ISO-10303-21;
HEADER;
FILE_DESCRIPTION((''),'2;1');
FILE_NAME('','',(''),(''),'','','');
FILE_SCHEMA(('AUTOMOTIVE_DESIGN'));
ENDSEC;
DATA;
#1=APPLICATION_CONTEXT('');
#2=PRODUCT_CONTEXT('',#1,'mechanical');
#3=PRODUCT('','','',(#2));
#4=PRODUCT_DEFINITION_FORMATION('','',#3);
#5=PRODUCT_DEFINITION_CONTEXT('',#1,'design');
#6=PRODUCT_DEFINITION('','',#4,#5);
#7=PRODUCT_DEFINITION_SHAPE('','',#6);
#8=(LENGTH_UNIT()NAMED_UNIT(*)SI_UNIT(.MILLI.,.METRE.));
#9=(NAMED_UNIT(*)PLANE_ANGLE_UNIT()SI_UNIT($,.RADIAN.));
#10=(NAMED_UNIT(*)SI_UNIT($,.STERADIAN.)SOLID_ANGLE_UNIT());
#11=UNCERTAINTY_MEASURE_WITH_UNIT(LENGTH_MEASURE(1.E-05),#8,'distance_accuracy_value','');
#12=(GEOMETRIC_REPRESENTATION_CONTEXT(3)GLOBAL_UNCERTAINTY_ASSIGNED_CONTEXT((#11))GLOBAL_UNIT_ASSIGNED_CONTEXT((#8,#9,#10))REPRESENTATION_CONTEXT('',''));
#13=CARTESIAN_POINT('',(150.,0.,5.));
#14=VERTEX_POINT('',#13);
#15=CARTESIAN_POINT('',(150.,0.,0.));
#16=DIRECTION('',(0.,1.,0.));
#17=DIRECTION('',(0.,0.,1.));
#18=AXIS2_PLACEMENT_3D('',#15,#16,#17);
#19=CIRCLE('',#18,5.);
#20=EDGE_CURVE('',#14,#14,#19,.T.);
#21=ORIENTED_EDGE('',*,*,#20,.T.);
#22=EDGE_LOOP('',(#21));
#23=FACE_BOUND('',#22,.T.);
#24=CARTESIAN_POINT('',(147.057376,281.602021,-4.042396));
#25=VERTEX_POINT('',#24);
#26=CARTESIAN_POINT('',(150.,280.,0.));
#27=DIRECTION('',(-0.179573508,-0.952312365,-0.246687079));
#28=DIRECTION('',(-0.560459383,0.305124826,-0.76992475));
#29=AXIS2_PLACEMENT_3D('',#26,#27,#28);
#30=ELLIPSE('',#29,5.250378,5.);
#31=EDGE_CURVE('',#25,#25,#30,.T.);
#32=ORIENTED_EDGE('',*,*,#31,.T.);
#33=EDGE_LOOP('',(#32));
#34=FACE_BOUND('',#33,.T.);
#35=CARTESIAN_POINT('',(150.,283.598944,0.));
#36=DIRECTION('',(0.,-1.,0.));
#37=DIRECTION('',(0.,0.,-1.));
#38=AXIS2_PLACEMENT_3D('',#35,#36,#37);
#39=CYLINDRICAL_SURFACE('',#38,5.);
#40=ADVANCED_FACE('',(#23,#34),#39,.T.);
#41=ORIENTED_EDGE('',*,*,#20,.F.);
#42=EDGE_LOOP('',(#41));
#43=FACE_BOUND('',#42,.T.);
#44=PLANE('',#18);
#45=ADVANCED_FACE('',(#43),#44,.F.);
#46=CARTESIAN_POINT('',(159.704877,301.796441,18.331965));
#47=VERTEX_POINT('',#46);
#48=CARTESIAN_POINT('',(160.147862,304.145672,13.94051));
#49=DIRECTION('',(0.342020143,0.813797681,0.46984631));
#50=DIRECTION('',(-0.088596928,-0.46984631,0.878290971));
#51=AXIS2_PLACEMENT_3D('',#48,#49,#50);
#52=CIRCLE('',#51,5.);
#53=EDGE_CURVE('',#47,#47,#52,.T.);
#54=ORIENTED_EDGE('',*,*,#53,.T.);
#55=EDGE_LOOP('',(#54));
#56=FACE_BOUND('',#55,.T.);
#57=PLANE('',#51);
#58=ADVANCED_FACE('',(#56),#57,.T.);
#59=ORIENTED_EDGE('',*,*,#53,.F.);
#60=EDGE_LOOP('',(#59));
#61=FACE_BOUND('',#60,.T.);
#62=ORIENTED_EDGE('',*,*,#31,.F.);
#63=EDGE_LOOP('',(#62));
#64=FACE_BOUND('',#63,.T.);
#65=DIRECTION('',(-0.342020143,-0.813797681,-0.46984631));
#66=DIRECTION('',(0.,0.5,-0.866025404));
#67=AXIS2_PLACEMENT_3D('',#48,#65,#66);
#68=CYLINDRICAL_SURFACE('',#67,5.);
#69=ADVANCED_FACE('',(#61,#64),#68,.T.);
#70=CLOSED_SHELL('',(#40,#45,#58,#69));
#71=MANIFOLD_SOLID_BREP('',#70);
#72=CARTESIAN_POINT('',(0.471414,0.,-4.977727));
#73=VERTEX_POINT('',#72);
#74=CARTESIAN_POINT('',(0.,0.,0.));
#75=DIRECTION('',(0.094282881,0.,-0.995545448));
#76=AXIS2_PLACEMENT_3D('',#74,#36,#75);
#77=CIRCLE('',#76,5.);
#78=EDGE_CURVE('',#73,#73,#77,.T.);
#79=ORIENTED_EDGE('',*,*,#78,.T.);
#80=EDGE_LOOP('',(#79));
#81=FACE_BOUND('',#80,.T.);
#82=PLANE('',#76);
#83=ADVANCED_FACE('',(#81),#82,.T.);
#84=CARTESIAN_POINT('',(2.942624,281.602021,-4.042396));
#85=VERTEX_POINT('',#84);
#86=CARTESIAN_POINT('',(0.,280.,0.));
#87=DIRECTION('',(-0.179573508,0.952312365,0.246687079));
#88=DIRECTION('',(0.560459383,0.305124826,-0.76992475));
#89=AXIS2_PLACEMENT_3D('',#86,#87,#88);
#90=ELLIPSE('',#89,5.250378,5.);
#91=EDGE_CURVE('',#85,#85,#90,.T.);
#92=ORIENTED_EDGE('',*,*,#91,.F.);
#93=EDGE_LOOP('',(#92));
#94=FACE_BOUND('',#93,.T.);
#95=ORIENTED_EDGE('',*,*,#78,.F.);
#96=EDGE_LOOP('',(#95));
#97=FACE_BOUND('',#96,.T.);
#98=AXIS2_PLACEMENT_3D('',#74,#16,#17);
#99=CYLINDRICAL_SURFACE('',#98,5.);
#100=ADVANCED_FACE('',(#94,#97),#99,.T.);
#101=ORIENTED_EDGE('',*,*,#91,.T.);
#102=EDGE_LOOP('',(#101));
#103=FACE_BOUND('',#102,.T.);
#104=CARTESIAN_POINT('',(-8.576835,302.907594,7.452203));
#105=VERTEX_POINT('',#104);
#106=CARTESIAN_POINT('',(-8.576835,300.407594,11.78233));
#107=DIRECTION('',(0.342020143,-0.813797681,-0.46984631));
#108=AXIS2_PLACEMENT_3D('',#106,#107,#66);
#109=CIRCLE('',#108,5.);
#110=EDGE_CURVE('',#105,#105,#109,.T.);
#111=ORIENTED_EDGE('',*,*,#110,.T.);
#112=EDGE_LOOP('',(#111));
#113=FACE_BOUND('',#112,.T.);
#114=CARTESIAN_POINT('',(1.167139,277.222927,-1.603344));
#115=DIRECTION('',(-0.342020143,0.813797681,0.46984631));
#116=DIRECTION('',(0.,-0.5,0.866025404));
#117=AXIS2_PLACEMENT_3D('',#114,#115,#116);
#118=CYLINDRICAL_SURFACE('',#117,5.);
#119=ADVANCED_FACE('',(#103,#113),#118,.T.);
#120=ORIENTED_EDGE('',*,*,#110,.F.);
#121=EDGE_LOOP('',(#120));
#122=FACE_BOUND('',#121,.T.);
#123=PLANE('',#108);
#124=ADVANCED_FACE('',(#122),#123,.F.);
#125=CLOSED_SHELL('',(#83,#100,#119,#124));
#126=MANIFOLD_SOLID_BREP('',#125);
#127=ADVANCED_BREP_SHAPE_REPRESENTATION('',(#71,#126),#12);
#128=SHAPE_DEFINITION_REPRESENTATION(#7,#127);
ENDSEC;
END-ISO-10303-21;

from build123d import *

# Parameters (mm, degrees)
SWEEP_4_PROFILE_R = 5
SWEEP_5_PROFILE_R = 5


with BuildPart() as part:
    # 扫描4: sweep along a path in 草图90
    with BuildLine(Plane(origin=(98.045795282, 0, -71.371502155), x_dir=(-0.5885247359201105, 0, -0.8084792113654897), z_dir=(0.8084792113654897, 0, -0.5885247359201105))) as sweep_4_path:
        Line((-105.521590911, 304.145672377), (-88.278710388, 280))
        Line((-88.278710388, 280), (-88.278710388, 0))
    # 扫描4 profile (on start of the path) → 扫描4 (sweep)
    with BuildSketch(Plane(origin=(160.147861706, 304.145672377, 13.940510447), x_dir=(0, 0.5000000000000007, -0.8660254037844384), z_dir=(-0.34202014332567265, -0.8137976813493721, -0.4698463103929541))):
        Circle(SWEEP_4_PROFILE_R)
    sweep(path=sweep_4_path.line, transition=Transition.RIGHT)


with BuildPart() as body_2:
    # 扫描5: sweep along a path in 草图91
    with BuildLine(Plane(origin=(0, 0, 0), x_dir=(0.5885247359201103, 0, -0.80847921136549), z_dir=(0.8084792113654898, 0, 0.5885247359201102))) as sweep_5_path:
        Line((0, 0), (0, 280))
        Line((0, 280), (-14.573448455, 300.407594389))
    # 扫描5 profile (on start of the path) → 扫描5 (sweep)
    with BuildSketch(Plane.ZX):
        Circle(SWEEP_5_PROFILE_R)
    sweep(path=sweep_5_path.line, transition=Transition.RIGHT)


solid = Compound([part.part, body_2.part])
